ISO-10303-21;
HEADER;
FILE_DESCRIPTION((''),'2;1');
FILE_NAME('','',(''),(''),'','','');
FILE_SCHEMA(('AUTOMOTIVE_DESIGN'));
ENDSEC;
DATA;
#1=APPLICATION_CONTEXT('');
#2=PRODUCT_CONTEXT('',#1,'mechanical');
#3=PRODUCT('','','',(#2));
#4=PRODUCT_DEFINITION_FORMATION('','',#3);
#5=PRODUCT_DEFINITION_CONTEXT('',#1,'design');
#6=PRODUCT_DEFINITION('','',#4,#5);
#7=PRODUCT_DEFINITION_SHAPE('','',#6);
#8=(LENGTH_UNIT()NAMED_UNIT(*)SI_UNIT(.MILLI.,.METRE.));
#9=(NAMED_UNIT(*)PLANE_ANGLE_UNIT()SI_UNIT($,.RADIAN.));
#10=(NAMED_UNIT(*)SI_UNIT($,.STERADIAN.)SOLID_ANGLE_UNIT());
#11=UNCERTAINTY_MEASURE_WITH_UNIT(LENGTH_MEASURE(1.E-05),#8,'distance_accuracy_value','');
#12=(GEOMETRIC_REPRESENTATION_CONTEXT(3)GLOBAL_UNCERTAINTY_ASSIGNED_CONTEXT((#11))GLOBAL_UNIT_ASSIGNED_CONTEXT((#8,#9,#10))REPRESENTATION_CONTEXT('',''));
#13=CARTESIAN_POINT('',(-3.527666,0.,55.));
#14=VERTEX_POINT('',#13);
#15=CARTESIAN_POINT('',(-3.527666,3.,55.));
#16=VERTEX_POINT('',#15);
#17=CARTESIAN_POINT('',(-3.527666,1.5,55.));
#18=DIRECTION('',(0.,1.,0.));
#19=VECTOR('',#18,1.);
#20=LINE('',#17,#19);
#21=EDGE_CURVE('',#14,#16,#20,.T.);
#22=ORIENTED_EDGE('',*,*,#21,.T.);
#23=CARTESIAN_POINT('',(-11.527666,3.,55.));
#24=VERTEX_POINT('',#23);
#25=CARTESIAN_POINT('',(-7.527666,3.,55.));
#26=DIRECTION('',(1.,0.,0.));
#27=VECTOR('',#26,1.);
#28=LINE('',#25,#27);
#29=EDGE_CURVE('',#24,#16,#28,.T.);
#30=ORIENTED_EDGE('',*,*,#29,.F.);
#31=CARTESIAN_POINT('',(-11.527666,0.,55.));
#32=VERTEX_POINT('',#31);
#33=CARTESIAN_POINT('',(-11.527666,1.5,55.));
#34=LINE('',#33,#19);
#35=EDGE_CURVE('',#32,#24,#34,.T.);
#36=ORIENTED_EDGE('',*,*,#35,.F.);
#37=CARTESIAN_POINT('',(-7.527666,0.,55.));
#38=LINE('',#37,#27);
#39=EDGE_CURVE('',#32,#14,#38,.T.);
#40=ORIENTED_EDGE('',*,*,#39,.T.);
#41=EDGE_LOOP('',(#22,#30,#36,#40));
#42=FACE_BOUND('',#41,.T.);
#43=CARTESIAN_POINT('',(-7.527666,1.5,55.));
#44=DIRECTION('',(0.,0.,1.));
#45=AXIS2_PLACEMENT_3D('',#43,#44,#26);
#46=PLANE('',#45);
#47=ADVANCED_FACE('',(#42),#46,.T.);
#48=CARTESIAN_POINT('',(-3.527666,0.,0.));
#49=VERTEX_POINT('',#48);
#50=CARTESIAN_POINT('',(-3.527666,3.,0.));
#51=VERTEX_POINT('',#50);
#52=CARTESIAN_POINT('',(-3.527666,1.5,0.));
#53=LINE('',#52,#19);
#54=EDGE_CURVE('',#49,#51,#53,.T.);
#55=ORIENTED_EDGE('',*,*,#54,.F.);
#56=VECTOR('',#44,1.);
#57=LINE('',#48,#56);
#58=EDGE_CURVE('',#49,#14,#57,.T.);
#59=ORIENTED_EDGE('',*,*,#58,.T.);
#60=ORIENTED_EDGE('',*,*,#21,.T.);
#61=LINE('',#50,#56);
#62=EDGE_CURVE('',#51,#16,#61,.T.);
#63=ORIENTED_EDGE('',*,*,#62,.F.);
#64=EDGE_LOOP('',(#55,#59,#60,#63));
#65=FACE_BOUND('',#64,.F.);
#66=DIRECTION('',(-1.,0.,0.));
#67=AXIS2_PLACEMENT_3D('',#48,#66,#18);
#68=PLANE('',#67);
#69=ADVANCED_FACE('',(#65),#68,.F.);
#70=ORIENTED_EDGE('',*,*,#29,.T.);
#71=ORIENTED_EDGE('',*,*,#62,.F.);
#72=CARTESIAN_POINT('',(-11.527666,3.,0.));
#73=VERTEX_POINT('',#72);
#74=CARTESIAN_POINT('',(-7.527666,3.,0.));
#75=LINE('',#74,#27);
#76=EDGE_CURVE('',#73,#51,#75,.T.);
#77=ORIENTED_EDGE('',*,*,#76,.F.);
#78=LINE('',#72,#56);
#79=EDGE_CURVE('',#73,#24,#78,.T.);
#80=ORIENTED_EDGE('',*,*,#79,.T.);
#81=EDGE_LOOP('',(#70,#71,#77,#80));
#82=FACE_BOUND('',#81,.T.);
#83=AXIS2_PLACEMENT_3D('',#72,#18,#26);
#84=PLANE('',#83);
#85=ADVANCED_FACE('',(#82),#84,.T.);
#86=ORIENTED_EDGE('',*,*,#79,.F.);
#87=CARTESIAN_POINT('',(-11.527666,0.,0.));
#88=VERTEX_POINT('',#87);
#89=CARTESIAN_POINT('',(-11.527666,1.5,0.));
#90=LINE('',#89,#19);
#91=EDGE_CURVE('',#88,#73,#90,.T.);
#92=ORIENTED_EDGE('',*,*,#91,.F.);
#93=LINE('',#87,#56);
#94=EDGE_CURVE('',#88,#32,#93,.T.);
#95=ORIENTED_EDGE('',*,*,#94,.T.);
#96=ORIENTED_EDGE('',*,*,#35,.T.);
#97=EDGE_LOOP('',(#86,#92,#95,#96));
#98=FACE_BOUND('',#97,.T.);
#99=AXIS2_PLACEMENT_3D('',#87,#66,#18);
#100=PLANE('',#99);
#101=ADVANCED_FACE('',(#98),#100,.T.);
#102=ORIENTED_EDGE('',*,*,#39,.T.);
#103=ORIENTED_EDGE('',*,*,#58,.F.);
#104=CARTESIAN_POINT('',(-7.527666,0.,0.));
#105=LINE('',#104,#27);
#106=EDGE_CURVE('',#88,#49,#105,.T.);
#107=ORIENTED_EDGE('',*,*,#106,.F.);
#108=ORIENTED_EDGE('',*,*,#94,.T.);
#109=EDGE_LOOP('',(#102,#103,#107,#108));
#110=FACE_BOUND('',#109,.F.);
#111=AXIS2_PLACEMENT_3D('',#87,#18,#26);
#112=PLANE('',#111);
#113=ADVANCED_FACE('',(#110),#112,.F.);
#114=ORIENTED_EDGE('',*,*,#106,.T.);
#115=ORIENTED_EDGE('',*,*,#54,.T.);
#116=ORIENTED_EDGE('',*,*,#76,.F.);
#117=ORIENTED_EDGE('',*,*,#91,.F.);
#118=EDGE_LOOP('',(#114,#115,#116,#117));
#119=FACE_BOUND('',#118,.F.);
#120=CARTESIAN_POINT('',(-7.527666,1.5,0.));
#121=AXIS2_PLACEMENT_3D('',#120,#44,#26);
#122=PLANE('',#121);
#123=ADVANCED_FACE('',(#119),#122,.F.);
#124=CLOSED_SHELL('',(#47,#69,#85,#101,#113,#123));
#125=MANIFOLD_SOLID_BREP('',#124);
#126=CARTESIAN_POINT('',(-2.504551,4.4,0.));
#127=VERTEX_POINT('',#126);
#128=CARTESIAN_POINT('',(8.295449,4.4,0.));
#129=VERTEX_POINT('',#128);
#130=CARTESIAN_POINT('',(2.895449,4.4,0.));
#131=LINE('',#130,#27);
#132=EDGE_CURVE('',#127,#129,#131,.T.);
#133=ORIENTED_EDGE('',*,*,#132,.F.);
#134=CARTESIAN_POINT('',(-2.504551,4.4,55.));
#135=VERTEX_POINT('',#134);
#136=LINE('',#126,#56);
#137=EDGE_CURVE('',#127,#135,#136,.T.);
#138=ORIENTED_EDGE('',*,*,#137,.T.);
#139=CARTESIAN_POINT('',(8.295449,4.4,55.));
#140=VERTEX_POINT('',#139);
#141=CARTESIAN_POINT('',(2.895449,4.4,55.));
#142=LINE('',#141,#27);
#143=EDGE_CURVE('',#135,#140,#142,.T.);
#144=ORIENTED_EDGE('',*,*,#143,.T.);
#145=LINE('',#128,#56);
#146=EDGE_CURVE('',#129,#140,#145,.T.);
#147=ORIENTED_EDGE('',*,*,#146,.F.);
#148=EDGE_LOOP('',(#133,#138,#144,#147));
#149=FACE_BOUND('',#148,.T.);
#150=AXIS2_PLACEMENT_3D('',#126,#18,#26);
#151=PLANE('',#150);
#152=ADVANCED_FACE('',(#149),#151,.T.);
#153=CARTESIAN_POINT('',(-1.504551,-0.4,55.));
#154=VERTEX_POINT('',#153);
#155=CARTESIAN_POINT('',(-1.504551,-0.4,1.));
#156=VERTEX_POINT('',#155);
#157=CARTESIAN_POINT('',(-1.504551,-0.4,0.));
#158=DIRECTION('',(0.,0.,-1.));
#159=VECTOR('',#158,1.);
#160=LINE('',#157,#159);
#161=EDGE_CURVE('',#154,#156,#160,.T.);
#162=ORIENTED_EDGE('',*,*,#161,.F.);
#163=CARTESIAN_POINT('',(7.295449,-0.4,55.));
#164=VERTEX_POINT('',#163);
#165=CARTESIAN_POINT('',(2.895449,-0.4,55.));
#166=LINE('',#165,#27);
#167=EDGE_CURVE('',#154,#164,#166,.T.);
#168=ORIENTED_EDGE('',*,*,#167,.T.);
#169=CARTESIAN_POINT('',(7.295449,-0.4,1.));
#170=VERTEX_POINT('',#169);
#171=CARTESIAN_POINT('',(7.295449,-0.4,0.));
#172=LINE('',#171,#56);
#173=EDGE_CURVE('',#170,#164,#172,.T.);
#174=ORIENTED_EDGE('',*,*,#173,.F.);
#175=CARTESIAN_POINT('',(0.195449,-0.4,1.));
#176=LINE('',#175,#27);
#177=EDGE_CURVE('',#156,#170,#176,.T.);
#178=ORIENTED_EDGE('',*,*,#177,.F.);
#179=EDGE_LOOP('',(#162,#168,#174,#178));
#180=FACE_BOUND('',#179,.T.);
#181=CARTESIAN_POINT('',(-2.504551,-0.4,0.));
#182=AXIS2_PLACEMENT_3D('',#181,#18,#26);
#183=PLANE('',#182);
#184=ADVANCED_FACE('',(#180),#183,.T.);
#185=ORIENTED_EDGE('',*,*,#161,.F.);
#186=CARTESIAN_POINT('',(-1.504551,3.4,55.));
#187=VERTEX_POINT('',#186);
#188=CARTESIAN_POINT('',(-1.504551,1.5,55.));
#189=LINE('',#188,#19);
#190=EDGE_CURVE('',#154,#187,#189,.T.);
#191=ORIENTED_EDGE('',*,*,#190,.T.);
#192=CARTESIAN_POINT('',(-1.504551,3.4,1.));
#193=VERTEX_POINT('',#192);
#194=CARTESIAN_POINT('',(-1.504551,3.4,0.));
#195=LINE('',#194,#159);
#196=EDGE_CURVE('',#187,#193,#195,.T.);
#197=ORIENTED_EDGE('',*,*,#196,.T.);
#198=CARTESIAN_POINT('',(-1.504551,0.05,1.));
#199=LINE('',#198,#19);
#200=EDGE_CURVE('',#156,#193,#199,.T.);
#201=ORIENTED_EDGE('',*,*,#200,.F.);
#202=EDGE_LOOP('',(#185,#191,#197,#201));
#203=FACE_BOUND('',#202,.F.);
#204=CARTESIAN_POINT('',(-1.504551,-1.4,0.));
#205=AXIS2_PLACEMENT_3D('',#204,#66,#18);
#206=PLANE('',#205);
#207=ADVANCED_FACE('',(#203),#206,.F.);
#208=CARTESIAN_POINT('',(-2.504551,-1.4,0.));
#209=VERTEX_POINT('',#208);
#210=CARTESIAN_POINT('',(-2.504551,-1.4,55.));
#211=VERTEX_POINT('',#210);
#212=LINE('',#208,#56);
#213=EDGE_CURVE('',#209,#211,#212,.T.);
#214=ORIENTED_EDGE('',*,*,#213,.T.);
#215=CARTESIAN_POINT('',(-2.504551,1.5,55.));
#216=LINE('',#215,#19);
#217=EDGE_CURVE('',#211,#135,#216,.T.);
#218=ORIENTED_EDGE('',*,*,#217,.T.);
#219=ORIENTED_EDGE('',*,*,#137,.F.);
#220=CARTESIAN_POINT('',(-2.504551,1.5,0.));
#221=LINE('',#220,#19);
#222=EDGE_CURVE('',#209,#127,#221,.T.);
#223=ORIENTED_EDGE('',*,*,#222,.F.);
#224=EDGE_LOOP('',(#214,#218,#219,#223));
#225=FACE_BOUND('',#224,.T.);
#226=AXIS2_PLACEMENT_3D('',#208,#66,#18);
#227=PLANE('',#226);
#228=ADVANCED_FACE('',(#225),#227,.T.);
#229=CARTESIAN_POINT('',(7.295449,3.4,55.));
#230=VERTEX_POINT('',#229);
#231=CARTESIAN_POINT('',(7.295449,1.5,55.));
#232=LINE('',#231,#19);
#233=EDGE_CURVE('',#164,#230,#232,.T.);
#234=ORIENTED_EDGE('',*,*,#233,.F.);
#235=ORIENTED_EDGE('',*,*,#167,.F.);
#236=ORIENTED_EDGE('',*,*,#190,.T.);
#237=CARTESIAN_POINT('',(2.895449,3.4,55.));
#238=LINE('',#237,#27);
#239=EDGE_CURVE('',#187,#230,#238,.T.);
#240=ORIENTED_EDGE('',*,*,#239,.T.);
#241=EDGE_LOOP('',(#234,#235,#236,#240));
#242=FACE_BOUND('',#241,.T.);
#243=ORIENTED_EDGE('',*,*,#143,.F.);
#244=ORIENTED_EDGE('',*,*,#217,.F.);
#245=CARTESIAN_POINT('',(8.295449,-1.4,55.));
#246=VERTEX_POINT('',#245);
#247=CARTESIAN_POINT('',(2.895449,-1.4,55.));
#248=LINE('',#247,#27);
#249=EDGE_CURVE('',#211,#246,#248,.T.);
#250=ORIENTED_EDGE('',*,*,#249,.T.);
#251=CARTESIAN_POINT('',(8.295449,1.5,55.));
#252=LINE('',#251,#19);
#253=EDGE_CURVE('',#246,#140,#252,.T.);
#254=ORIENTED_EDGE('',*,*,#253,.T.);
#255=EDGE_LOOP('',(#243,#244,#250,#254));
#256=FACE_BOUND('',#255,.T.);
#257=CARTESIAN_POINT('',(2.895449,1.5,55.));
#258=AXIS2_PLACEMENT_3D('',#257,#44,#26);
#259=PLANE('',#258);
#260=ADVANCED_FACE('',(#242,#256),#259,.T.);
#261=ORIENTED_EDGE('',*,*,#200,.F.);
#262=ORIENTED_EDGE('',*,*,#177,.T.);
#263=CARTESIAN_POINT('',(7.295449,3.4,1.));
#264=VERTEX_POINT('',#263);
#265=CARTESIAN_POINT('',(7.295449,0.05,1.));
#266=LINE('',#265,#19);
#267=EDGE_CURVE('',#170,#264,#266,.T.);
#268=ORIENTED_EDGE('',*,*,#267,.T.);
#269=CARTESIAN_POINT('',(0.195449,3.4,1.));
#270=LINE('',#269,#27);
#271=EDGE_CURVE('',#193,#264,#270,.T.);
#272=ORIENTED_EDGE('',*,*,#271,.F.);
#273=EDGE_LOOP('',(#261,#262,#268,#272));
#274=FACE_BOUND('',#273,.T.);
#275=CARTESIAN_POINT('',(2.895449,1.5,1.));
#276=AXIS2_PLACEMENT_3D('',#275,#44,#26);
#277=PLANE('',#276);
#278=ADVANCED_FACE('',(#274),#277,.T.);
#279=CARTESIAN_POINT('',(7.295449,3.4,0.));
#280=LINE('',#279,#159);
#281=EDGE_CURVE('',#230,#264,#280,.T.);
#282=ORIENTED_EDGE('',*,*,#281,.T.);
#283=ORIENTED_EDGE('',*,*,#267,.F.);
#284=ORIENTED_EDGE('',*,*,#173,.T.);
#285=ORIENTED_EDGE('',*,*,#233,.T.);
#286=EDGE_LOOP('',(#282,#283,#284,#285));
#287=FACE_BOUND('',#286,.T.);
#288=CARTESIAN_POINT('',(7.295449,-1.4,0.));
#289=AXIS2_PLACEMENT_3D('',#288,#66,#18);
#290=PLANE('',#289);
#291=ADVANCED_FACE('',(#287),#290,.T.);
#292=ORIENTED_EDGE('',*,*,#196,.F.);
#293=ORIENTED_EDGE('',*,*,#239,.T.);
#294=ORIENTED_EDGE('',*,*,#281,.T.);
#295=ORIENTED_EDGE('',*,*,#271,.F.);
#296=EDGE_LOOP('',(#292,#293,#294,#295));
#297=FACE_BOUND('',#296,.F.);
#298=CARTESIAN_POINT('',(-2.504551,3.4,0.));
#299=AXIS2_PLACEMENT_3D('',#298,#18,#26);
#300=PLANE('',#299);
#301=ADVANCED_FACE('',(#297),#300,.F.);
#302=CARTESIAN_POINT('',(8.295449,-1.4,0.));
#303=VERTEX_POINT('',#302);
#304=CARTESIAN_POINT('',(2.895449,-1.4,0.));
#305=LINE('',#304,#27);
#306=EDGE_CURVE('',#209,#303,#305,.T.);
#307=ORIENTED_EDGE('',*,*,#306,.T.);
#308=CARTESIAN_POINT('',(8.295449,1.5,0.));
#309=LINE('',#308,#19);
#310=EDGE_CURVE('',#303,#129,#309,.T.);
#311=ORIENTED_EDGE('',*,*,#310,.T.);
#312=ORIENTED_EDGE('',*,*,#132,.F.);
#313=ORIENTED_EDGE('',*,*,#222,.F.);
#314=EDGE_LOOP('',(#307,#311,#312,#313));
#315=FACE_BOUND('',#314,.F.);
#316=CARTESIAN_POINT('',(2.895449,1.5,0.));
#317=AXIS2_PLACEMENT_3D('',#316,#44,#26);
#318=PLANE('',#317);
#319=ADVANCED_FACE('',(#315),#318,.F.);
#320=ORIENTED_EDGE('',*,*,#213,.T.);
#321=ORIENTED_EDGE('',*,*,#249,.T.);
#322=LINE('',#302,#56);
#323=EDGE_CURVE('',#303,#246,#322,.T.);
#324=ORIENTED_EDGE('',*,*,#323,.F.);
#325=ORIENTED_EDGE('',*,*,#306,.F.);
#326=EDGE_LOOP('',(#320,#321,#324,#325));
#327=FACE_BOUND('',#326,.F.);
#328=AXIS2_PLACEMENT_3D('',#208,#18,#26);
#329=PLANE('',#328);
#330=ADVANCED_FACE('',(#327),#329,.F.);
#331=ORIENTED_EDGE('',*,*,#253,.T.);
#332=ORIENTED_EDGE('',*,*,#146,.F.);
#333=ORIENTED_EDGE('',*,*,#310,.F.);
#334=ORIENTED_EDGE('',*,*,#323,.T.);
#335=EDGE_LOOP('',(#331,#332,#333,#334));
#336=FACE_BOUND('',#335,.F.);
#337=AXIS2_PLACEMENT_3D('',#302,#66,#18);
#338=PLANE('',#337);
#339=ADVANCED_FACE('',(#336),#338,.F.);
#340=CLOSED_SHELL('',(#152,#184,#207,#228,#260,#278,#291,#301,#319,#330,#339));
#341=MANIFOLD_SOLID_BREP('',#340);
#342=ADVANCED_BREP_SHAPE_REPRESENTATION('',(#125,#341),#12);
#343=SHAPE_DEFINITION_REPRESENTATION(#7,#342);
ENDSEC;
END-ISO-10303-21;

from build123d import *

# Parameters (mm, degrees)
F0_W     = 8
F0_H     = 3
F1_DEPTH = 55
F0_W_2   = 10.8
F0_H_2   = 5.8
F2_T     = -1


with BuildPart() as f1:
    # F0 (on Top) → F1 (new body)
    with BuildSketch(Plane.XY):
        with Locations((-7.5276658908, 1.5)):
            Rectangle(F0_W, F0_H)
    extrude(amount=F1_DEPTH)


with BuildPart() as f1b:
    # F0 (on Top) → F1, piece 2 (new body)
    with BuildSketch(Plane.XY):
        with Locations((2.8954485707, 1.5)):
            Rectangle(F0_W_2, F0_H_2)
    extrude(amount=F1_DEPTH)

    # F2
    f2_openings = [f1b.faces().sort_by_distance(p)[0] for p in [
        (2.895449, 1.5, 55),
    ]]
    offset(amount=F2_T, openings=f2_openings)


solid = Compound([f1.part, f1b.part])
